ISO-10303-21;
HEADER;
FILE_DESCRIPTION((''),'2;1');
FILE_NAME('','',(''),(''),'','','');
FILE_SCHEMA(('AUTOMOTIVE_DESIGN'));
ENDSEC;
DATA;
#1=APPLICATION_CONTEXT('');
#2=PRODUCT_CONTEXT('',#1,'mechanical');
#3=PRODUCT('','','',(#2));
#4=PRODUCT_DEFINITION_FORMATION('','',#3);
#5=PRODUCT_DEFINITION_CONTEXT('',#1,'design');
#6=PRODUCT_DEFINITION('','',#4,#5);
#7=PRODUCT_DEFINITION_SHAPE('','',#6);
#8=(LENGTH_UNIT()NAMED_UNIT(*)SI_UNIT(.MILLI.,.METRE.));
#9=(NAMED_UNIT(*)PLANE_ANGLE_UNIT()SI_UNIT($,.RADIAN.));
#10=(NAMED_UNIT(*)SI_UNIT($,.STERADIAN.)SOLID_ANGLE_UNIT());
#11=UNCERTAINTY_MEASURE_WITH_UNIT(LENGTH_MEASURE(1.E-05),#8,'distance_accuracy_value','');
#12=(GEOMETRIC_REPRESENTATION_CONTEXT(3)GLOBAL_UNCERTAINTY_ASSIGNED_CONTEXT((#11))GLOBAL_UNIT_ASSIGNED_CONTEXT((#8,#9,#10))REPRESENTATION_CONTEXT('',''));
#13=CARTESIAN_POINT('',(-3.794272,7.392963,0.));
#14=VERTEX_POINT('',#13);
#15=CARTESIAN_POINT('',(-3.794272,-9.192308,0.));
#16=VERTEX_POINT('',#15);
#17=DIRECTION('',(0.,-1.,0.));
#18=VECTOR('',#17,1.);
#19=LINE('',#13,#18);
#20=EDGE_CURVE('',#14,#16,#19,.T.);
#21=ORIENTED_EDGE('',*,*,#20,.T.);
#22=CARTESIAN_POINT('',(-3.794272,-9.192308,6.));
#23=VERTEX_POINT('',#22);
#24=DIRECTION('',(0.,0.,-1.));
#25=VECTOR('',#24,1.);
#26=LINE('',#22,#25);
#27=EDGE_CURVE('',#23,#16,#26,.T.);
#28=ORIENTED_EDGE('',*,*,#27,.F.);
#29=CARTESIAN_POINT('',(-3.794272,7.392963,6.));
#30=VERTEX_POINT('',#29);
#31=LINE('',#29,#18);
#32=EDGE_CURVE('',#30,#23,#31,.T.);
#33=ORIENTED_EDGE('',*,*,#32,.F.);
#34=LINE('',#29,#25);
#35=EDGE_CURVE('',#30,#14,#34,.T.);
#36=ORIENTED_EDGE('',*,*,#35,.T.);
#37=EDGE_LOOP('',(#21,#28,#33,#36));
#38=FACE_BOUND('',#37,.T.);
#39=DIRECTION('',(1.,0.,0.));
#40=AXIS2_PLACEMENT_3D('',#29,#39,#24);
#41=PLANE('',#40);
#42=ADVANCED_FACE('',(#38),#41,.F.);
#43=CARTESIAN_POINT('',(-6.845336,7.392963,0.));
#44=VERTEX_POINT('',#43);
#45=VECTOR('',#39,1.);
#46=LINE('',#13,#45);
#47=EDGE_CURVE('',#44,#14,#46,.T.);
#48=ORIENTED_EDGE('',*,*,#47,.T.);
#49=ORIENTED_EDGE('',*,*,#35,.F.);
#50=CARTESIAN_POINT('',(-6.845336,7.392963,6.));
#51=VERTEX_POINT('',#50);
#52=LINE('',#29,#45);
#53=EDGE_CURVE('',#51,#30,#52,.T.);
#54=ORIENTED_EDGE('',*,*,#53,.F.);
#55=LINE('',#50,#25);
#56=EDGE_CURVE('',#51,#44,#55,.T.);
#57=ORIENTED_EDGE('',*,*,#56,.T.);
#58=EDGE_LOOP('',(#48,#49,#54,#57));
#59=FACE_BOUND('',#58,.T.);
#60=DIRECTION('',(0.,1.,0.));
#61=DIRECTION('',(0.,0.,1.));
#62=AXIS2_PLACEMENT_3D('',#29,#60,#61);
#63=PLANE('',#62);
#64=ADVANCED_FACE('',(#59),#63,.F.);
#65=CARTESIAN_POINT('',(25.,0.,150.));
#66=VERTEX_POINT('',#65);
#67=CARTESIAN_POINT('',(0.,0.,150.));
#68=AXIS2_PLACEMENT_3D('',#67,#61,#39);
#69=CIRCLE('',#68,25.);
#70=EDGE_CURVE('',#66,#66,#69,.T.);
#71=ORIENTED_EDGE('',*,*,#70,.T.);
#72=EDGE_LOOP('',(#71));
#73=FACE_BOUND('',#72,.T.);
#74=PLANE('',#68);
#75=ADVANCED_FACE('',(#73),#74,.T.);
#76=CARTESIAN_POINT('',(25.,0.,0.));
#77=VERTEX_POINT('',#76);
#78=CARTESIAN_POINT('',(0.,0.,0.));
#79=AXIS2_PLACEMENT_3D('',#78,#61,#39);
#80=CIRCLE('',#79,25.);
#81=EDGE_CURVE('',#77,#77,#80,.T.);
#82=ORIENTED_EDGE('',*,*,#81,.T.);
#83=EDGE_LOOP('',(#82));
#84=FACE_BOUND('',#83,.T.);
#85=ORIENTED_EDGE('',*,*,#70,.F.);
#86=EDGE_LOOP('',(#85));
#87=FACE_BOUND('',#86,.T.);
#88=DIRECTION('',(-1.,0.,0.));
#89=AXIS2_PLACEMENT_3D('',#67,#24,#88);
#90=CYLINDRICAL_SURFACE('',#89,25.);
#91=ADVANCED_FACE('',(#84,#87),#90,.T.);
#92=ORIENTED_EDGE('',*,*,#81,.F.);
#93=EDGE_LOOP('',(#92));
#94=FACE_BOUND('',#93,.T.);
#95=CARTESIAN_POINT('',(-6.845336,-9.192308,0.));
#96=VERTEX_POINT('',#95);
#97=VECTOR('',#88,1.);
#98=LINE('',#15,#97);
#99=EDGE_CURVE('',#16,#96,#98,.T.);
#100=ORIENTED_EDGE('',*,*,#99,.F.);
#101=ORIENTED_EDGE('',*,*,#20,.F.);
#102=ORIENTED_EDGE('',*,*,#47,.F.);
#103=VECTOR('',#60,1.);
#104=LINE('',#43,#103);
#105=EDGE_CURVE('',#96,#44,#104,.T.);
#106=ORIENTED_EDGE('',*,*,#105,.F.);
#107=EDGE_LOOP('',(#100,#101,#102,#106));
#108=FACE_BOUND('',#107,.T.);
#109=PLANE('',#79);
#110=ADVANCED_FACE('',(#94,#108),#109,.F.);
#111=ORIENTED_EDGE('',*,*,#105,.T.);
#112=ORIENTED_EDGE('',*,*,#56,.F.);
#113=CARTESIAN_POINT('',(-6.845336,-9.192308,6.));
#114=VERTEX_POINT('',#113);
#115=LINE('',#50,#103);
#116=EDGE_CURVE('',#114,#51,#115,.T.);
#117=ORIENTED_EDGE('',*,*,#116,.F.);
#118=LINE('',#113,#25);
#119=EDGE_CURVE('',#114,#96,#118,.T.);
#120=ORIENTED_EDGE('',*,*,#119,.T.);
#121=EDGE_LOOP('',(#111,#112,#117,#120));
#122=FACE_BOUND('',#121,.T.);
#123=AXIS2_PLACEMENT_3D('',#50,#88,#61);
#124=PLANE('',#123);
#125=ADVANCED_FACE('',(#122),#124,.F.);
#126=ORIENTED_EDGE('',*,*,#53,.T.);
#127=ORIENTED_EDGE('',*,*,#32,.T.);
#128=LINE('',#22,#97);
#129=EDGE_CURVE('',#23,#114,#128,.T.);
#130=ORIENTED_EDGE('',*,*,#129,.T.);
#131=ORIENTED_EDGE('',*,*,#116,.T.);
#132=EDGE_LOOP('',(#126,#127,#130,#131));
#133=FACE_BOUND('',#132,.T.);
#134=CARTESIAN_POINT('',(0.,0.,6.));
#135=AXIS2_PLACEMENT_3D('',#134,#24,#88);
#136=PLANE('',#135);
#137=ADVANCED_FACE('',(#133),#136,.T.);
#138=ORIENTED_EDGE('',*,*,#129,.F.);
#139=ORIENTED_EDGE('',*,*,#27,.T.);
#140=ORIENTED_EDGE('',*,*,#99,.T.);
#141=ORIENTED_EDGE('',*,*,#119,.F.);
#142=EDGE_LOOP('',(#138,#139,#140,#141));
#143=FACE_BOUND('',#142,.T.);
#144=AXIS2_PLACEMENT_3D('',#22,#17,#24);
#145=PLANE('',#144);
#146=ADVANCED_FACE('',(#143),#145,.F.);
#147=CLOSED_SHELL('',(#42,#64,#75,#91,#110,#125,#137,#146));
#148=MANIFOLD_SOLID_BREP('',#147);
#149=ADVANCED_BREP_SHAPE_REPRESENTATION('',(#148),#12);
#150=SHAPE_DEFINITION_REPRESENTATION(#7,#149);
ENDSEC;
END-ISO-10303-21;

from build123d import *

# Parameters (mm, degrees)
SKETCH_1_R          = 25
EXTRUDE_1_DEPTH     = 150
SKETCH_2_W          = 3.051064085
SKETCH_2_H          = 16.585271438
CUT_EXTRUDE_1_DEPTH = 6


with BuildPart() as part:
    # 草图1 → 凸台-拉伸1 (new body)
    with BuildSketch(Plane.XY):
        Circle(SKETCH_1_R)
    extrude(amount=EXTRUDE_1_DEPTH)

    # 草图2 → 切除-拉伸1 (cut)
    with BuildSketch(Plane(origin=(0, 0, 0), x_dir=(-1, 0, 0), z_dir=(0, 0, -1))):
        with Locations((5.319804046, -0.899672743)):
            Rectangle(SKETCH_2_W, SKETCH_2_H)
    extrude(amount=-CUT_EXTRUDE_1_DEPTH, mode=Mode.SUBTRACT)


solid = part.part
